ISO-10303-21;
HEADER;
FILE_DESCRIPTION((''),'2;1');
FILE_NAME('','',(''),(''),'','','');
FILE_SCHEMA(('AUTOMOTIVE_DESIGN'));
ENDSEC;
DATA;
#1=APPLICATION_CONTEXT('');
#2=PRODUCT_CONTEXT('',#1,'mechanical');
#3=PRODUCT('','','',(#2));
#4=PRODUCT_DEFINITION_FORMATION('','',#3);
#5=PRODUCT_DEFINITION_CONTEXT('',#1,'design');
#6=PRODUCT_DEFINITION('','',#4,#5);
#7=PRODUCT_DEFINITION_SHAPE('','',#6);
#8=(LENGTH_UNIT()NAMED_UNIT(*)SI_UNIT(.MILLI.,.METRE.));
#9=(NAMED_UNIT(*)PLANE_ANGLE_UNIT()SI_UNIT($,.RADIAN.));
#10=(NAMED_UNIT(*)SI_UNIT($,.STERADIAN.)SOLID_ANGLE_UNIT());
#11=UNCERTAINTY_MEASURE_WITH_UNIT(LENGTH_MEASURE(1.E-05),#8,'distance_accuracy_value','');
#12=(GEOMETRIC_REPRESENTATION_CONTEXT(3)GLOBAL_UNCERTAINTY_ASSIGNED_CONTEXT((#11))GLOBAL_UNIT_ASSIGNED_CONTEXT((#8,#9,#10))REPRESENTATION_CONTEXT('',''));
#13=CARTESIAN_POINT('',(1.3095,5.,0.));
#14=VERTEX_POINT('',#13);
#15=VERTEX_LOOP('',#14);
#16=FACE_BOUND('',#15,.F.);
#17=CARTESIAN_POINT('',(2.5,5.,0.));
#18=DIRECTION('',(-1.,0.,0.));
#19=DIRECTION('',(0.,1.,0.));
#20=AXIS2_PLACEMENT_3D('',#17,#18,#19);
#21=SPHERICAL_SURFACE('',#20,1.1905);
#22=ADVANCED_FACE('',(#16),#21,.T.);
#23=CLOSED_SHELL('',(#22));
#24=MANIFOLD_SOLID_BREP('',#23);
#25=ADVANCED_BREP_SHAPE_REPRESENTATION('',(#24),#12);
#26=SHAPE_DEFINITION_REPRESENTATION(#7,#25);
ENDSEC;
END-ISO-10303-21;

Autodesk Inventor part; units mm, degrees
ref_plane "YZ Plane" through (0, 0, 0) normal (1, 0, 0) x (0, 1, 0)
ref_plane "XZ Plane" through (0, 0, 0) normal (0, 1, 0) x (-1, 0, 0)
ref_plane "XY Plane" through (0, 0, 0) normal (0, 0, 1) x (1, 0, 0)
sketch "Sketch_6" plane through (0, 0, 0) normal (0, 0, 1) x (1, 0, 0)
  line L0 (3.6905, 5) -> (1.3095, 5)
  arc A0 (3.6905, 5) -> (1.3095, 5) centre (2.5, 5) ccw
  line L1 (3.6905, 5) -> (1.3095, 5)
  dimension "d0" = 360
revolve "Revolution1" add sketch "Sketch_6" angle 360 about axis through (3.6905, 5, 0) along (1, 0, 0)
properties part number "SKF_619/6-2Z_PART3"
